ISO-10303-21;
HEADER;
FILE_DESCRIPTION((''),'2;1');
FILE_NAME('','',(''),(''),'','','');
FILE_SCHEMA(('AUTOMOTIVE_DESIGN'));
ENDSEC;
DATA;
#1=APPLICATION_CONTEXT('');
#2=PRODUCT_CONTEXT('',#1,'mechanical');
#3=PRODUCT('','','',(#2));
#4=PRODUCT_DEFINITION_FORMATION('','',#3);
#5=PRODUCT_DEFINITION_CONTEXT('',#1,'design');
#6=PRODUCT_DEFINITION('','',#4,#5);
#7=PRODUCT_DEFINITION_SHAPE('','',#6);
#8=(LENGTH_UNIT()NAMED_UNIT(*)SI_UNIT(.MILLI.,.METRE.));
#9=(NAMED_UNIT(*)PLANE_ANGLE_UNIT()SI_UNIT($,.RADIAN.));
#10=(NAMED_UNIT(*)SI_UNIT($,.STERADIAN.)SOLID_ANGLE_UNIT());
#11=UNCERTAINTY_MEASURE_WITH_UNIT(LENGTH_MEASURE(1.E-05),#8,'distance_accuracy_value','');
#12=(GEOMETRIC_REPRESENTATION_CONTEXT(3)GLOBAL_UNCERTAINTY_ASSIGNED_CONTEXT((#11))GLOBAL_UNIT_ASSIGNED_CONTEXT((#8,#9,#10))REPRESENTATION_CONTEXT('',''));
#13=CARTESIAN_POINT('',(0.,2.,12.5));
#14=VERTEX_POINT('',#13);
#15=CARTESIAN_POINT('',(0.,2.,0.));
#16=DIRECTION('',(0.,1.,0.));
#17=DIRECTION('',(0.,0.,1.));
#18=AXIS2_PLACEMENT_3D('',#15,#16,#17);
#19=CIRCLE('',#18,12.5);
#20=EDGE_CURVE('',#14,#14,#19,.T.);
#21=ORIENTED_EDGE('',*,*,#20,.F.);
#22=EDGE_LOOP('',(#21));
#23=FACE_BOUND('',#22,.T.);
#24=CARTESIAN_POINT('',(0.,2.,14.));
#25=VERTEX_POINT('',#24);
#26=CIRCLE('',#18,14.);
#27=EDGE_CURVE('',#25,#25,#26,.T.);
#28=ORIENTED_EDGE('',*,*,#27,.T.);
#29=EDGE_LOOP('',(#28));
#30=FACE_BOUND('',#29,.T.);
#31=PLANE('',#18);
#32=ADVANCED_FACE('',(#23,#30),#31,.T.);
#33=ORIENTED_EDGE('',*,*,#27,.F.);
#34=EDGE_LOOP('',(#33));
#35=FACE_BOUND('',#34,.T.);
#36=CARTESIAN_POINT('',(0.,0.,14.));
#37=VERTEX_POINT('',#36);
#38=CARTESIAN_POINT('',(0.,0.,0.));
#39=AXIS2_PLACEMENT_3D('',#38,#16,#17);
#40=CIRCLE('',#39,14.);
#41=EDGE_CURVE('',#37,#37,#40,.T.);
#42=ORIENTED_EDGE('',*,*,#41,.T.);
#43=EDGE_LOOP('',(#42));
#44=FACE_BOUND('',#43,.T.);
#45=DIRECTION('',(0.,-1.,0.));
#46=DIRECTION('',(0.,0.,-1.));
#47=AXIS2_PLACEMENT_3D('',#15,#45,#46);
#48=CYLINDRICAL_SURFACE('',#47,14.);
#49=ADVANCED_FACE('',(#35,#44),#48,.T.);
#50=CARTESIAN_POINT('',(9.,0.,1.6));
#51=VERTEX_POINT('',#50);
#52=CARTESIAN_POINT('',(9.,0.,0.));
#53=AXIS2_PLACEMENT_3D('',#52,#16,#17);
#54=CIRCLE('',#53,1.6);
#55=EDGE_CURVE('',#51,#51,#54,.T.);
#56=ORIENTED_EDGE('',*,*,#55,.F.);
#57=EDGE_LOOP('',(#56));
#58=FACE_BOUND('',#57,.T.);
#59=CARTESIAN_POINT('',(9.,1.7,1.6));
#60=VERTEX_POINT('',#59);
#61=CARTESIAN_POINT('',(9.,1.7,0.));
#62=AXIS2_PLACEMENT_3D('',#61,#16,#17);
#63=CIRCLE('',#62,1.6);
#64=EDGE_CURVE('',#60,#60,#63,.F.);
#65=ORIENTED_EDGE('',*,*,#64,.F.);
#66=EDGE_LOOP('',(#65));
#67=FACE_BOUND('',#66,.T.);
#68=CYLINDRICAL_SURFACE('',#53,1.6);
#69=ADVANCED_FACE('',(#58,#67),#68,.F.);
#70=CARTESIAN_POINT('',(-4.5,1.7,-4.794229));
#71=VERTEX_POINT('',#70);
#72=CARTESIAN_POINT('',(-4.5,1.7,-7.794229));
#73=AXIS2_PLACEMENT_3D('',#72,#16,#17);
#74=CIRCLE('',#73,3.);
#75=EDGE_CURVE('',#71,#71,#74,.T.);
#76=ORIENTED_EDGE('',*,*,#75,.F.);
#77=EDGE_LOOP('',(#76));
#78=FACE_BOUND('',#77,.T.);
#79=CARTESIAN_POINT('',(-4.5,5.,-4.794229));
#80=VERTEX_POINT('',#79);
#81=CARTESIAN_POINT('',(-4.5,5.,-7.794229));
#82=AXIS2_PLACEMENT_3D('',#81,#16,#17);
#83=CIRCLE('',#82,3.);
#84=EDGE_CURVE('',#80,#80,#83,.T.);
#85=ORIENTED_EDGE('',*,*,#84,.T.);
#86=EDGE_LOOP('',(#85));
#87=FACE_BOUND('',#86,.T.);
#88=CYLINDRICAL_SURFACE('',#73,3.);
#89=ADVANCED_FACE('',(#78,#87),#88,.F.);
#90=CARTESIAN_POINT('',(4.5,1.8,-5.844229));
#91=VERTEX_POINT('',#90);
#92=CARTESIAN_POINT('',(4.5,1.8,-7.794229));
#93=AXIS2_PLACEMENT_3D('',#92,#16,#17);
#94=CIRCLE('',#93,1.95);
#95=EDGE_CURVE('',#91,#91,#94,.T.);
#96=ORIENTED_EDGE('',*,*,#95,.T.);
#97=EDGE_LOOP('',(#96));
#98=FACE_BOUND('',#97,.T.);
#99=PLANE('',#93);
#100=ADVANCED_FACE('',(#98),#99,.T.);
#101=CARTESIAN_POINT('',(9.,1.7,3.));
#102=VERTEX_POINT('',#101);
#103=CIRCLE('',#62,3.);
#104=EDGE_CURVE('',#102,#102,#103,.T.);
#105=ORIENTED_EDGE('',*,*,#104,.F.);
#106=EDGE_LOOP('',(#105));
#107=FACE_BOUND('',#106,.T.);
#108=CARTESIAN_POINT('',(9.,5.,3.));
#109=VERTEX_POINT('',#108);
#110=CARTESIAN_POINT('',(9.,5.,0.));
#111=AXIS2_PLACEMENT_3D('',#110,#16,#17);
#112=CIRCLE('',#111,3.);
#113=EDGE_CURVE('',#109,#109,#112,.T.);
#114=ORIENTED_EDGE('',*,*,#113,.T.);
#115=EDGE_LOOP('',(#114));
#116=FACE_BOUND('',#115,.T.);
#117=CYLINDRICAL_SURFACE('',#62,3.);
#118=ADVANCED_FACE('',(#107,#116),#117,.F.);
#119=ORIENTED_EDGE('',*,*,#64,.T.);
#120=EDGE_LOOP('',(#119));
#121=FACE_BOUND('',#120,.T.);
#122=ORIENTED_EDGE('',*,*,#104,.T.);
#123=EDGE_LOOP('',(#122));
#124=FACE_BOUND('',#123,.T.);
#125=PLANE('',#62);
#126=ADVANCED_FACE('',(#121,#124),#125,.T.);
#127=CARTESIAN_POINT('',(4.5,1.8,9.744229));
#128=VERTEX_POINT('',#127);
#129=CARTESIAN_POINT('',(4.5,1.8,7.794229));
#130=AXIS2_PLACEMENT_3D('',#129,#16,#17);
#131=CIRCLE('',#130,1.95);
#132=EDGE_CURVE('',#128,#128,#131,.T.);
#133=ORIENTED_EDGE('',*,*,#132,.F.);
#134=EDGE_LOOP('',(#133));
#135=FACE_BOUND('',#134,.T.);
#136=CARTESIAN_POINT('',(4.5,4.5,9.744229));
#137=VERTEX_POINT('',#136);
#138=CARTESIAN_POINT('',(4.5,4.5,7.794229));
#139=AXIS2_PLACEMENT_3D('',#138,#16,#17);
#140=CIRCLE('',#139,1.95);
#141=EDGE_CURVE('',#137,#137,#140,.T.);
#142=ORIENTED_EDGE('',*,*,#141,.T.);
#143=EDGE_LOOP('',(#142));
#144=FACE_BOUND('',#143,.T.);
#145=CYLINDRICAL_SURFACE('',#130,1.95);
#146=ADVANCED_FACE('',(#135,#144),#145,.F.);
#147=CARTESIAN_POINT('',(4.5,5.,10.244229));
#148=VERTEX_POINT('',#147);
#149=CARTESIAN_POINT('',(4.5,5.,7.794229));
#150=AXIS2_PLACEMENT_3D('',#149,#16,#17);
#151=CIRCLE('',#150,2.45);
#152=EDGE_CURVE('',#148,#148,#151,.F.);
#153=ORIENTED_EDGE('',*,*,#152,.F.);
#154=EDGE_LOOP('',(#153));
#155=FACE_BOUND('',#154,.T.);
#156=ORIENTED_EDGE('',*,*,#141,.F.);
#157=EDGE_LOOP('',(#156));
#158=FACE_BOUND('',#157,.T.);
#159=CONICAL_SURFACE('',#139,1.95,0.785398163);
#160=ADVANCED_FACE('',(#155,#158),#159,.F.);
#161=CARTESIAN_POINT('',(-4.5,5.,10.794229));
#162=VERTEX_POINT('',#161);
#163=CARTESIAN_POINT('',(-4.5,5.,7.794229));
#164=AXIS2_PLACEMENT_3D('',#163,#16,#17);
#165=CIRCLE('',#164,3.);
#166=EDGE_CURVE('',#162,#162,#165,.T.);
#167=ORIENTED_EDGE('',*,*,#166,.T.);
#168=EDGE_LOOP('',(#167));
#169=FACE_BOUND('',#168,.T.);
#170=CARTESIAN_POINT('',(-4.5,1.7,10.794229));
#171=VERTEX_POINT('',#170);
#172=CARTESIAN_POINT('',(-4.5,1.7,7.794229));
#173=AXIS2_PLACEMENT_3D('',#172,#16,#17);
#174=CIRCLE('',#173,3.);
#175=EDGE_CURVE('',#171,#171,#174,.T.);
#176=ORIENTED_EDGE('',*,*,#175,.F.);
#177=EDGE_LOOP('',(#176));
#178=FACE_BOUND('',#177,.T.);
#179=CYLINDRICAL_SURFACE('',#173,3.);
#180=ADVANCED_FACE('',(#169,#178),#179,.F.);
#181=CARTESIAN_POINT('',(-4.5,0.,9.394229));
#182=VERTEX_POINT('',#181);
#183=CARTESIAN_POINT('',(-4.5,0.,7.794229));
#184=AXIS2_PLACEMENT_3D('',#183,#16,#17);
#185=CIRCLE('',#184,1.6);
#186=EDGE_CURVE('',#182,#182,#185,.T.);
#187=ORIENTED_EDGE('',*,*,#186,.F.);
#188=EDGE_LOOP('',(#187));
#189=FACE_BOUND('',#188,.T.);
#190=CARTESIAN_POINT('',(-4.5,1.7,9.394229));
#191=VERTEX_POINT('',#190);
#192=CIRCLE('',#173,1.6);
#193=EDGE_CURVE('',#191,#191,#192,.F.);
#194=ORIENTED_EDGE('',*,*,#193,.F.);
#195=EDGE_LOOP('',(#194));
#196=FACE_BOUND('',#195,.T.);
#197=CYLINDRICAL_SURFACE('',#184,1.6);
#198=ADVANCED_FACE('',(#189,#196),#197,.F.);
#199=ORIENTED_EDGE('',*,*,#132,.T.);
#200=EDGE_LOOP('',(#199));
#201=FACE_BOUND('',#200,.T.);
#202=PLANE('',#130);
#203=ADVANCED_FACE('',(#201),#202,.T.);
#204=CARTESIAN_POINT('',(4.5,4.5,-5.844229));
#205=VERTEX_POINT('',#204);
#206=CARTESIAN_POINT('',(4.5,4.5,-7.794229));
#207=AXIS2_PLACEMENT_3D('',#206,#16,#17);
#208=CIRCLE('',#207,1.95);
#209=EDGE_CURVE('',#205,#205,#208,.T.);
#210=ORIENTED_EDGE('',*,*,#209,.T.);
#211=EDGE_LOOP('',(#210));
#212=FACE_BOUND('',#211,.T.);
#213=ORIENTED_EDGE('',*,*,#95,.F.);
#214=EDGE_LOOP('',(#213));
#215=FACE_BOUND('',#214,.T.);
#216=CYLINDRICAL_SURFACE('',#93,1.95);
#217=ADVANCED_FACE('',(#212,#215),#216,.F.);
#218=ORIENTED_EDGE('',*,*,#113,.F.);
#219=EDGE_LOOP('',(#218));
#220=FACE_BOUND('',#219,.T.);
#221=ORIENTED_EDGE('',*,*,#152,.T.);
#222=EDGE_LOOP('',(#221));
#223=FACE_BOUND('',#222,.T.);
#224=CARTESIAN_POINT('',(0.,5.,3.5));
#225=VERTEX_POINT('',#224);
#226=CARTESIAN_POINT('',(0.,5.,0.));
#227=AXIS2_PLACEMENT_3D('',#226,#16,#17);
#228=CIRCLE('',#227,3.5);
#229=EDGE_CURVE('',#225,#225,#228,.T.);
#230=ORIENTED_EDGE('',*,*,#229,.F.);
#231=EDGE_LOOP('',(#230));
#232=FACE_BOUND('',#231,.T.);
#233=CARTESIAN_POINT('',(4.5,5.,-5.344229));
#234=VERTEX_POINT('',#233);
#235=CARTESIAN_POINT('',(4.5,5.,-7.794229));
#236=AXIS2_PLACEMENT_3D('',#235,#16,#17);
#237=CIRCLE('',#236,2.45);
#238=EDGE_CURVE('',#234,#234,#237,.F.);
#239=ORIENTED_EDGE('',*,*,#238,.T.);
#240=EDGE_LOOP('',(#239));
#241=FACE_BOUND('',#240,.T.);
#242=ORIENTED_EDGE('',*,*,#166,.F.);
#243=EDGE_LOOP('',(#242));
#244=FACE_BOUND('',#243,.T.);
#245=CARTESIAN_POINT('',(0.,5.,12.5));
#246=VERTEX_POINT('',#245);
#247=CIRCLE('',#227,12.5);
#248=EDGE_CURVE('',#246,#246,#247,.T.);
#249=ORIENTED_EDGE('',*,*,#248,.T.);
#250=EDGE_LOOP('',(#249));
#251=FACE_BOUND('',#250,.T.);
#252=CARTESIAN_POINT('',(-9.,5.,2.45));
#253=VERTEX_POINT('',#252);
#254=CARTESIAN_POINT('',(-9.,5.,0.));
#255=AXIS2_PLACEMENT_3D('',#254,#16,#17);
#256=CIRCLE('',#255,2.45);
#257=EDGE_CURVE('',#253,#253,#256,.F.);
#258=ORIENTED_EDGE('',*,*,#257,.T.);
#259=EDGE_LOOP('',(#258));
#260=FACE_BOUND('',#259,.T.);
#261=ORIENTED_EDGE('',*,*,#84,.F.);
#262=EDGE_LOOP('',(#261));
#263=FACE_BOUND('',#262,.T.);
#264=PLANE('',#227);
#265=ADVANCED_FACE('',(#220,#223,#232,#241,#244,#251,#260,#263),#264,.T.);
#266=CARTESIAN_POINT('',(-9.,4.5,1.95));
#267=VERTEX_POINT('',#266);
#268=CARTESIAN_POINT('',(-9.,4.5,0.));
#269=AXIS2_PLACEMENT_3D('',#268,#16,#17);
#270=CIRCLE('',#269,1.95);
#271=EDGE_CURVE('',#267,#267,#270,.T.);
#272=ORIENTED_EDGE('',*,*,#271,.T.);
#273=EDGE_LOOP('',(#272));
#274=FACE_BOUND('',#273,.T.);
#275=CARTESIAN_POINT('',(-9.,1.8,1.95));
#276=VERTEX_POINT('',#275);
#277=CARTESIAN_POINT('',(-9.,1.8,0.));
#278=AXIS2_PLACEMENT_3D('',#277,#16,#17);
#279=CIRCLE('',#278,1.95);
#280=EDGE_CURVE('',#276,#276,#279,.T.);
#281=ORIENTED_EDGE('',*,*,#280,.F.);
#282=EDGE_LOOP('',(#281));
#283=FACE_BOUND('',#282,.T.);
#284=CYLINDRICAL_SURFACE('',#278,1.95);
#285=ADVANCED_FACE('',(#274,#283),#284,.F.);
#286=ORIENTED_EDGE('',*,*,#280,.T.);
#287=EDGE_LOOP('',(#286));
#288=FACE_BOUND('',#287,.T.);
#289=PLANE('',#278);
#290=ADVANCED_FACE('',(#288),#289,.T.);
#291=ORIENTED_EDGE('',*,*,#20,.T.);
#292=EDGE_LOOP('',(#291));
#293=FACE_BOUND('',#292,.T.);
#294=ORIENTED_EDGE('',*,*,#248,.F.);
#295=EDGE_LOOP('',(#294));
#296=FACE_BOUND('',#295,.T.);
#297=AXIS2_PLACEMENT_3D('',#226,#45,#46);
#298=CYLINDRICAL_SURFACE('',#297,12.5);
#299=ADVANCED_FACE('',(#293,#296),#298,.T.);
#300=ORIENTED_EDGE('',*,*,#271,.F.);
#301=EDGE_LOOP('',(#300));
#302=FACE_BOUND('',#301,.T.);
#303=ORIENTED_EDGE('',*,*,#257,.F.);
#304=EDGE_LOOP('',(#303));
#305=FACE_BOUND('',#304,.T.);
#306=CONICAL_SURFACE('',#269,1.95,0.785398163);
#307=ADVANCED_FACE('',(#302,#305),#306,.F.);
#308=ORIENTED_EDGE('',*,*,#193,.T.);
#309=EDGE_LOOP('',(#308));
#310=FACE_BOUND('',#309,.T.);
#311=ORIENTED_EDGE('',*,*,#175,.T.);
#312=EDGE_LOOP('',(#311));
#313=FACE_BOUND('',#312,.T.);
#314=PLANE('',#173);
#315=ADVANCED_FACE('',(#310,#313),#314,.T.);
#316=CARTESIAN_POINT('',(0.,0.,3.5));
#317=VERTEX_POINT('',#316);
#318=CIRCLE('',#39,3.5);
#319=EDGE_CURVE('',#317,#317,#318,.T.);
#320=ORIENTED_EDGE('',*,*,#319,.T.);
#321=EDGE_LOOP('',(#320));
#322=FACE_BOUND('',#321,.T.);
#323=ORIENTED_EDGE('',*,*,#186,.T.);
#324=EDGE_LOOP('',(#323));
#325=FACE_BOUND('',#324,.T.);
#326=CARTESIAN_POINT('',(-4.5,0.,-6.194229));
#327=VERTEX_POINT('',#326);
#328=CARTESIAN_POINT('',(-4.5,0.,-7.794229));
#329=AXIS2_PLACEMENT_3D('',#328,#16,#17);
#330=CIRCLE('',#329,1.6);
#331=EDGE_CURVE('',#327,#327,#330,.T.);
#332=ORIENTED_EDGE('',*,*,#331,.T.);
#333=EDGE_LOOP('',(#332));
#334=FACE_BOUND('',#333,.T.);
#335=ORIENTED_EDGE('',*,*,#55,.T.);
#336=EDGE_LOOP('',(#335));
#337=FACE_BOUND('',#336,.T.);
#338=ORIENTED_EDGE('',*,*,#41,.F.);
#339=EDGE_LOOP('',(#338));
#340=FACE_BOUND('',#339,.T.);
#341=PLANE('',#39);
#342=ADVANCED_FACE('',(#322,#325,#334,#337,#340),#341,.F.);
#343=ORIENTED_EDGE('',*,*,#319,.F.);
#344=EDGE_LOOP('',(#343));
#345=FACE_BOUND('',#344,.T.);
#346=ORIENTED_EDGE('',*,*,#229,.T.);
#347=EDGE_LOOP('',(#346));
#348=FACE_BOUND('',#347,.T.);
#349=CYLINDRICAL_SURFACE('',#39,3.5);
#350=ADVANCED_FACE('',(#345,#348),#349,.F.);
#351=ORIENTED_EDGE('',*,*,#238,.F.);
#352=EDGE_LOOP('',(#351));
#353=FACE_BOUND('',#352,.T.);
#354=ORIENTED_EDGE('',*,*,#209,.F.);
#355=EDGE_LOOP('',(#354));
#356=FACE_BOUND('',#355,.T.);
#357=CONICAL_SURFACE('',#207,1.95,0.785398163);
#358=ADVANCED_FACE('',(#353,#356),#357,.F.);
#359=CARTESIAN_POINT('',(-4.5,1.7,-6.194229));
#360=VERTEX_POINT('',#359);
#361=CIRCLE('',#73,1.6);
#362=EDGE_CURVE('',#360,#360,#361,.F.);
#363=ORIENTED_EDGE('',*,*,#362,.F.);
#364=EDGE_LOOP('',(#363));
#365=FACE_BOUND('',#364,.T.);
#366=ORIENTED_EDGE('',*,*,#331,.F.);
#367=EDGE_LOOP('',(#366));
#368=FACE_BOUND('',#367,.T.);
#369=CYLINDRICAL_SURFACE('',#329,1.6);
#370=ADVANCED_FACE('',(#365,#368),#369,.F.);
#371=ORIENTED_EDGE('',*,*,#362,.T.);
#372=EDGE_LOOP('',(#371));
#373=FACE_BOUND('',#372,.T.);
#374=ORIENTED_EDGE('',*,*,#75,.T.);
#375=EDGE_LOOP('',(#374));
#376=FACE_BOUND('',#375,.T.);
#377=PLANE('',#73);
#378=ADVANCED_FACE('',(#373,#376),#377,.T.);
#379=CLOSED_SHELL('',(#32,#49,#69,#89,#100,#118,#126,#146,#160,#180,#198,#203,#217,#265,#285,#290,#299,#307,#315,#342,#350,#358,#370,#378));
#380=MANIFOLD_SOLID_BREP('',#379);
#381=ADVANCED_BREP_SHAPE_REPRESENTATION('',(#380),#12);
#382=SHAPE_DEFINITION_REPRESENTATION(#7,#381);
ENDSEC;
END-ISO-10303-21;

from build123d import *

# Parameters (mm, degrees)
SKETCH_1_R          = 14
EXTRUDE_1_DEPTH     = 2
SKETCH_2_R          = 12.5
EXTRUDE_2_DEPTH     = 3
SKETCH_3_R          = 1.6
CUT_EXTRUDE_1_DEPTH = 6
SKETCH_4_R          = 3
CUT_EXTRUDE_2_DEPTH = 3.3
SKETCH_5_R          = 1.95
CUT_EXTRUDE_3_DEPTH = 3.2
CHAMFER_1_SIZE      = 0.5
SKETCH_6_R          = 3.5
CUT_EXTRUDE_4_DEPTH = 6


with BuildPart() as part:
    # 草图1 → 凸台-拉伸1 (new body)
    with BuildSketch(Plane(origin=(0, 0, 0), x_dir=(1, 0, 0), z_dir=(0, 1, 0))):
        Circle(SKETCH_1_R)
    extrude(amount=EXTRUDE_1_DEPTH)

    # 草图2 → 凸台-拉伸2 (add)
    with BuildSketch(Plane(origin=(0, 2, 0), x_dir=(1, 0, 0), z_dir=(0, 1, 0))):
        Circle(SKETCH_2_R)
    extrude(amount=EXTRUDE_2_DEPTH)

    # 草图3 → 切除-拉伸1 (cut, through all)
    with BuildSketch(Plane(origin=(0, 5, 0), x_dir=(1, 0, 0), z_dir=(0, 1, 0))):
        with Locations((9, 0)):
            Circle(SKETCH_3_R)
        with Locations((-4.5, -7.794228634)):
            Circle(SKETCH_3_R)
        with Locations((-4.5, 7.794228634)):
            Circle(SKETCH_3_R)
    extrude(amount=-CUT_EXTRUDE_1_DEPTH, mode=Mode.SUBTRACT)

    # 草图4 → 切除-拉伸2 (cut)
    with BuildSketch(Plane(origin=(0, 5, 0), x_dir=(1, 0, 0), z_dir=(0, 1, 0))):
        with Locations((9, 0)):
            Circle(SKETCH_4_R)
        with Locations((-4.5, 7.794228634)):
            Circle(SKETCH_4_R)
        with Locations((-4.5, -7.794228634)):
            Circle(SKETCH_4_R)
    extrude(amount=-CUT_EXTRUDE_2_DEPTH, mode=Mode.SUBTRACT)

    # 草图5 → 切除-拉伸3 (cut)
    with BuildSketch(Plane(origin=(0, 5, 0), x_dir=(1, 0, 0), z_dir=(0, 1, 0))):
        with Locations((4.5, 7.794228634)):
            Circle(SKETCH_5_R)
        with Locations((4.5, -7.794228634)):
            Circle(SKETCH_5_R)
        with Locations((-9, 0)):
            Circle(SKETCH_5_R)
    extrude(amount=-CUT_EXTRUDE_3_DEPTH, mode=Mode.SUBTRACT)

    # 倒角1
    chamfer_1_edges = [part.edges().sort_by_distance(p)[0] for p in [
        (2.55, 5, -7.794228634),
        (2.55, 5, 7.794228634),
        (-10.95, 5, 0),
    ]]
    chamfer(chamfer_1_edges, length=CHAMFER_1_SIZE)

    # 草图6 → 切除-拉伸4 (cut, through all)
    with BuildSketch(Plane(origin=(0, 5, 0), x_dir=(1, 0, 0), z_dir=(0, 1, 0))):
        Circle(SKETCH_6_R)
    extrude(amount=-CUT_EXTRUDE_4_DEPTH, mode=Mode.SUBTRACT)


solid = part.part
